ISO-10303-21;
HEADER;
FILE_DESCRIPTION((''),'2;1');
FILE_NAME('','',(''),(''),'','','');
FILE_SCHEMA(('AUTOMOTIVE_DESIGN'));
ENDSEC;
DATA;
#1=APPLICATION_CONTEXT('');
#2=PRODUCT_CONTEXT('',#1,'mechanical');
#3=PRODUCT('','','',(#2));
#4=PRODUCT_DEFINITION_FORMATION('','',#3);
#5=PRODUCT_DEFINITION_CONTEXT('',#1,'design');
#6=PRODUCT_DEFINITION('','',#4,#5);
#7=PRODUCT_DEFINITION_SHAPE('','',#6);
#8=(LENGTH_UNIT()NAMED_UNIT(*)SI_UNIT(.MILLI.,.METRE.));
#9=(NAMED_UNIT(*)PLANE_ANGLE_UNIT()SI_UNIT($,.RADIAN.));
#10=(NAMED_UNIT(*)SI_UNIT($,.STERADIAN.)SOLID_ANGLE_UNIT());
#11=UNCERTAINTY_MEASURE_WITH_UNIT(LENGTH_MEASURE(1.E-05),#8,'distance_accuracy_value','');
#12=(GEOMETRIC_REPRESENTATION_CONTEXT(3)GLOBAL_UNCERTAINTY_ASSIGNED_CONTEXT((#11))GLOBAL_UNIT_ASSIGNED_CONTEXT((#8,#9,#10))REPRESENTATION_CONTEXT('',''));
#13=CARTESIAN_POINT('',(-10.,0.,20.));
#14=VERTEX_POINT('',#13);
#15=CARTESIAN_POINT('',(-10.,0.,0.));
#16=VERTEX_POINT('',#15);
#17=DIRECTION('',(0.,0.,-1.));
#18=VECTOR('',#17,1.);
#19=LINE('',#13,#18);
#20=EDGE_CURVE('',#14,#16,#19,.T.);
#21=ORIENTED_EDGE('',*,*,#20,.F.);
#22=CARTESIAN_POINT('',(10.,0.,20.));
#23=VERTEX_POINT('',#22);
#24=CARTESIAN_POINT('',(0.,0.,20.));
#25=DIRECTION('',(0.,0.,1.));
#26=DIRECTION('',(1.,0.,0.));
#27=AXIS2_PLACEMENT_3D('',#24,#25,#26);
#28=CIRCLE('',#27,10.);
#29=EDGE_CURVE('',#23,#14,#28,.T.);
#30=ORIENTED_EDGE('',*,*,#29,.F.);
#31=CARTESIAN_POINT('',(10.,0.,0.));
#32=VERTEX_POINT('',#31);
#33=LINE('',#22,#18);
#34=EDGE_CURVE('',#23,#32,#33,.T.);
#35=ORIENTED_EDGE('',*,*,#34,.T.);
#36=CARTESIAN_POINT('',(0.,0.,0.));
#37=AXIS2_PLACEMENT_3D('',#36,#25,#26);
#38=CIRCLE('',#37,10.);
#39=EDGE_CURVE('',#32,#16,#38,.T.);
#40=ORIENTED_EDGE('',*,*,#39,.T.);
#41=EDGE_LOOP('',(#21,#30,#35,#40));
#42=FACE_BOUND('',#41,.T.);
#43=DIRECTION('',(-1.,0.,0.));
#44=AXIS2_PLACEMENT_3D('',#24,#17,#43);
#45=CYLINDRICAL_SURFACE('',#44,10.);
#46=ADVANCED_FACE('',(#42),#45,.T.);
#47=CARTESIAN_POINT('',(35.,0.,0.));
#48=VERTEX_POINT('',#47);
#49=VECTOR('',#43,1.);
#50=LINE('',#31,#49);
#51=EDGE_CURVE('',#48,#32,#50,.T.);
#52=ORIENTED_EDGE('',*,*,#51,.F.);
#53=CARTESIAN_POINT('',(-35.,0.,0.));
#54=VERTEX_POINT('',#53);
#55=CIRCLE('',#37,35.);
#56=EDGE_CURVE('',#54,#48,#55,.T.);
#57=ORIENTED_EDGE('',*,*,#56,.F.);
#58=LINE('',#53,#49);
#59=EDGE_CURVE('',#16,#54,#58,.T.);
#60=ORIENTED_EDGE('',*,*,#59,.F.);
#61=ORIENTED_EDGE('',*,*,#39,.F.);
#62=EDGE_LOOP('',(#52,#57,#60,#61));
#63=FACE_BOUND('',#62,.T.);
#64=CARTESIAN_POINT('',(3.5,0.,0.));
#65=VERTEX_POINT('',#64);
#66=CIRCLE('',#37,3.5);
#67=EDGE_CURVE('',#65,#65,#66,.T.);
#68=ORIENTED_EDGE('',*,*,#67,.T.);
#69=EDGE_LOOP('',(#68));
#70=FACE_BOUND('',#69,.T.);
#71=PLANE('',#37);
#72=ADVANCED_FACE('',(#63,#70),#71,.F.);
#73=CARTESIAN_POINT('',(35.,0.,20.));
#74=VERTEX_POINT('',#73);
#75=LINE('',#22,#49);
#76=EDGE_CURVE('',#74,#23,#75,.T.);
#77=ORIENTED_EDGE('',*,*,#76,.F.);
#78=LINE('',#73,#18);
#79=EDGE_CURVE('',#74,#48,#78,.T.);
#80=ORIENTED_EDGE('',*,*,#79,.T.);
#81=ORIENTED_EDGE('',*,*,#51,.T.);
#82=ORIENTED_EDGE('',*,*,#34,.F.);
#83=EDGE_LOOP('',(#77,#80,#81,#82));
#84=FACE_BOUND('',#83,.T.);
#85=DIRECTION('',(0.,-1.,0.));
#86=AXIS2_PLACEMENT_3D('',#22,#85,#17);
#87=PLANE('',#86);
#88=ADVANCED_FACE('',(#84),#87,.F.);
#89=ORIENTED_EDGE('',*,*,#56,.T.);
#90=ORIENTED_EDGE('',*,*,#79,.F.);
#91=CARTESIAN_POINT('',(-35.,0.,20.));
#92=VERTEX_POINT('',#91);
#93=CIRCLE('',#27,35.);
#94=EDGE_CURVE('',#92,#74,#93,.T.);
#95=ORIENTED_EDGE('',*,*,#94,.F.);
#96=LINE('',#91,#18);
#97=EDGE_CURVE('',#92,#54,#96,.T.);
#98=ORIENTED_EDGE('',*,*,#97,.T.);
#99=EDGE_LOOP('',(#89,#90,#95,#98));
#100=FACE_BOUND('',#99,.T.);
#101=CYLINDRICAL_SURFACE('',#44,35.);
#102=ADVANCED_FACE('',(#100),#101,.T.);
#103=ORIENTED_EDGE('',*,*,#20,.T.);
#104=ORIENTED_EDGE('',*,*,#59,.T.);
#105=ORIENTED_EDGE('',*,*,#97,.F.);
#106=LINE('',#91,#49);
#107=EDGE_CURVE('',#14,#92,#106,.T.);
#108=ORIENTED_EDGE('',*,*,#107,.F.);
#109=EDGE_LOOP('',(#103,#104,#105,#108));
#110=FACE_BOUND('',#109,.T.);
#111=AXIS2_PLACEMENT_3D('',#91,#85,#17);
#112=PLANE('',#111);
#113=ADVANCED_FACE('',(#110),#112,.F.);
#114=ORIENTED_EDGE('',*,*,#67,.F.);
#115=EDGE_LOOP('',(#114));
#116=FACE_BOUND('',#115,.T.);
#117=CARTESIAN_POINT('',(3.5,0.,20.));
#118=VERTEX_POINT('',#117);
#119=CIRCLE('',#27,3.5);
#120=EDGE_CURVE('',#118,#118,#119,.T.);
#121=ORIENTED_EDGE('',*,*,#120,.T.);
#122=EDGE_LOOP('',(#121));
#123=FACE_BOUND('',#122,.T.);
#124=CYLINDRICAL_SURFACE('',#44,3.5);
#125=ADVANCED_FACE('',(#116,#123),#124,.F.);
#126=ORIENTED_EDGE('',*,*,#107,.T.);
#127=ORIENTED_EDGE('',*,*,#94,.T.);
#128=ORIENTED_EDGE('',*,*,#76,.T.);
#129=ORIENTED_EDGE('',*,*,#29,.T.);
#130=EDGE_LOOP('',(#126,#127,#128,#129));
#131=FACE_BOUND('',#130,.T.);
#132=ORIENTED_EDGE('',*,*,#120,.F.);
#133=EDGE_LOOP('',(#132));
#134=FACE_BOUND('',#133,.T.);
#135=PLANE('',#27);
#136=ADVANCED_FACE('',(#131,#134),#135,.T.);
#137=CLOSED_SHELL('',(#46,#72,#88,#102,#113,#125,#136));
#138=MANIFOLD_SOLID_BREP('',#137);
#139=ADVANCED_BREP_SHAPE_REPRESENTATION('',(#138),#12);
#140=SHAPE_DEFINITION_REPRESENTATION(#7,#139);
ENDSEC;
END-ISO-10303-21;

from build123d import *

# Parameters (mm, degrees)
SKETCH1_R           = 3.5
BOSS_EXTRUDE1_DEPTH = 20


with BuildPart() as part:
    # Sketch1 → Boss-Extrude1 (new body)
    with BuildSketch(Plane.XY):
        with BuildLine():
            Line((-35, 0), (-10, 0))
            ThreePointArc((-10, 0), (0, 10), (10, 0))
            Line((10, 0), (35, 0))
            ThreePointArc((35, 0), (0, -35), (-35, 0))
        make_face()
        Circle(SKETCH1_R, mode=Mode.SUBTRACT)
    extrude(amount=BOSS_EXTRUDE1_DEPTH)


solid = part.part
